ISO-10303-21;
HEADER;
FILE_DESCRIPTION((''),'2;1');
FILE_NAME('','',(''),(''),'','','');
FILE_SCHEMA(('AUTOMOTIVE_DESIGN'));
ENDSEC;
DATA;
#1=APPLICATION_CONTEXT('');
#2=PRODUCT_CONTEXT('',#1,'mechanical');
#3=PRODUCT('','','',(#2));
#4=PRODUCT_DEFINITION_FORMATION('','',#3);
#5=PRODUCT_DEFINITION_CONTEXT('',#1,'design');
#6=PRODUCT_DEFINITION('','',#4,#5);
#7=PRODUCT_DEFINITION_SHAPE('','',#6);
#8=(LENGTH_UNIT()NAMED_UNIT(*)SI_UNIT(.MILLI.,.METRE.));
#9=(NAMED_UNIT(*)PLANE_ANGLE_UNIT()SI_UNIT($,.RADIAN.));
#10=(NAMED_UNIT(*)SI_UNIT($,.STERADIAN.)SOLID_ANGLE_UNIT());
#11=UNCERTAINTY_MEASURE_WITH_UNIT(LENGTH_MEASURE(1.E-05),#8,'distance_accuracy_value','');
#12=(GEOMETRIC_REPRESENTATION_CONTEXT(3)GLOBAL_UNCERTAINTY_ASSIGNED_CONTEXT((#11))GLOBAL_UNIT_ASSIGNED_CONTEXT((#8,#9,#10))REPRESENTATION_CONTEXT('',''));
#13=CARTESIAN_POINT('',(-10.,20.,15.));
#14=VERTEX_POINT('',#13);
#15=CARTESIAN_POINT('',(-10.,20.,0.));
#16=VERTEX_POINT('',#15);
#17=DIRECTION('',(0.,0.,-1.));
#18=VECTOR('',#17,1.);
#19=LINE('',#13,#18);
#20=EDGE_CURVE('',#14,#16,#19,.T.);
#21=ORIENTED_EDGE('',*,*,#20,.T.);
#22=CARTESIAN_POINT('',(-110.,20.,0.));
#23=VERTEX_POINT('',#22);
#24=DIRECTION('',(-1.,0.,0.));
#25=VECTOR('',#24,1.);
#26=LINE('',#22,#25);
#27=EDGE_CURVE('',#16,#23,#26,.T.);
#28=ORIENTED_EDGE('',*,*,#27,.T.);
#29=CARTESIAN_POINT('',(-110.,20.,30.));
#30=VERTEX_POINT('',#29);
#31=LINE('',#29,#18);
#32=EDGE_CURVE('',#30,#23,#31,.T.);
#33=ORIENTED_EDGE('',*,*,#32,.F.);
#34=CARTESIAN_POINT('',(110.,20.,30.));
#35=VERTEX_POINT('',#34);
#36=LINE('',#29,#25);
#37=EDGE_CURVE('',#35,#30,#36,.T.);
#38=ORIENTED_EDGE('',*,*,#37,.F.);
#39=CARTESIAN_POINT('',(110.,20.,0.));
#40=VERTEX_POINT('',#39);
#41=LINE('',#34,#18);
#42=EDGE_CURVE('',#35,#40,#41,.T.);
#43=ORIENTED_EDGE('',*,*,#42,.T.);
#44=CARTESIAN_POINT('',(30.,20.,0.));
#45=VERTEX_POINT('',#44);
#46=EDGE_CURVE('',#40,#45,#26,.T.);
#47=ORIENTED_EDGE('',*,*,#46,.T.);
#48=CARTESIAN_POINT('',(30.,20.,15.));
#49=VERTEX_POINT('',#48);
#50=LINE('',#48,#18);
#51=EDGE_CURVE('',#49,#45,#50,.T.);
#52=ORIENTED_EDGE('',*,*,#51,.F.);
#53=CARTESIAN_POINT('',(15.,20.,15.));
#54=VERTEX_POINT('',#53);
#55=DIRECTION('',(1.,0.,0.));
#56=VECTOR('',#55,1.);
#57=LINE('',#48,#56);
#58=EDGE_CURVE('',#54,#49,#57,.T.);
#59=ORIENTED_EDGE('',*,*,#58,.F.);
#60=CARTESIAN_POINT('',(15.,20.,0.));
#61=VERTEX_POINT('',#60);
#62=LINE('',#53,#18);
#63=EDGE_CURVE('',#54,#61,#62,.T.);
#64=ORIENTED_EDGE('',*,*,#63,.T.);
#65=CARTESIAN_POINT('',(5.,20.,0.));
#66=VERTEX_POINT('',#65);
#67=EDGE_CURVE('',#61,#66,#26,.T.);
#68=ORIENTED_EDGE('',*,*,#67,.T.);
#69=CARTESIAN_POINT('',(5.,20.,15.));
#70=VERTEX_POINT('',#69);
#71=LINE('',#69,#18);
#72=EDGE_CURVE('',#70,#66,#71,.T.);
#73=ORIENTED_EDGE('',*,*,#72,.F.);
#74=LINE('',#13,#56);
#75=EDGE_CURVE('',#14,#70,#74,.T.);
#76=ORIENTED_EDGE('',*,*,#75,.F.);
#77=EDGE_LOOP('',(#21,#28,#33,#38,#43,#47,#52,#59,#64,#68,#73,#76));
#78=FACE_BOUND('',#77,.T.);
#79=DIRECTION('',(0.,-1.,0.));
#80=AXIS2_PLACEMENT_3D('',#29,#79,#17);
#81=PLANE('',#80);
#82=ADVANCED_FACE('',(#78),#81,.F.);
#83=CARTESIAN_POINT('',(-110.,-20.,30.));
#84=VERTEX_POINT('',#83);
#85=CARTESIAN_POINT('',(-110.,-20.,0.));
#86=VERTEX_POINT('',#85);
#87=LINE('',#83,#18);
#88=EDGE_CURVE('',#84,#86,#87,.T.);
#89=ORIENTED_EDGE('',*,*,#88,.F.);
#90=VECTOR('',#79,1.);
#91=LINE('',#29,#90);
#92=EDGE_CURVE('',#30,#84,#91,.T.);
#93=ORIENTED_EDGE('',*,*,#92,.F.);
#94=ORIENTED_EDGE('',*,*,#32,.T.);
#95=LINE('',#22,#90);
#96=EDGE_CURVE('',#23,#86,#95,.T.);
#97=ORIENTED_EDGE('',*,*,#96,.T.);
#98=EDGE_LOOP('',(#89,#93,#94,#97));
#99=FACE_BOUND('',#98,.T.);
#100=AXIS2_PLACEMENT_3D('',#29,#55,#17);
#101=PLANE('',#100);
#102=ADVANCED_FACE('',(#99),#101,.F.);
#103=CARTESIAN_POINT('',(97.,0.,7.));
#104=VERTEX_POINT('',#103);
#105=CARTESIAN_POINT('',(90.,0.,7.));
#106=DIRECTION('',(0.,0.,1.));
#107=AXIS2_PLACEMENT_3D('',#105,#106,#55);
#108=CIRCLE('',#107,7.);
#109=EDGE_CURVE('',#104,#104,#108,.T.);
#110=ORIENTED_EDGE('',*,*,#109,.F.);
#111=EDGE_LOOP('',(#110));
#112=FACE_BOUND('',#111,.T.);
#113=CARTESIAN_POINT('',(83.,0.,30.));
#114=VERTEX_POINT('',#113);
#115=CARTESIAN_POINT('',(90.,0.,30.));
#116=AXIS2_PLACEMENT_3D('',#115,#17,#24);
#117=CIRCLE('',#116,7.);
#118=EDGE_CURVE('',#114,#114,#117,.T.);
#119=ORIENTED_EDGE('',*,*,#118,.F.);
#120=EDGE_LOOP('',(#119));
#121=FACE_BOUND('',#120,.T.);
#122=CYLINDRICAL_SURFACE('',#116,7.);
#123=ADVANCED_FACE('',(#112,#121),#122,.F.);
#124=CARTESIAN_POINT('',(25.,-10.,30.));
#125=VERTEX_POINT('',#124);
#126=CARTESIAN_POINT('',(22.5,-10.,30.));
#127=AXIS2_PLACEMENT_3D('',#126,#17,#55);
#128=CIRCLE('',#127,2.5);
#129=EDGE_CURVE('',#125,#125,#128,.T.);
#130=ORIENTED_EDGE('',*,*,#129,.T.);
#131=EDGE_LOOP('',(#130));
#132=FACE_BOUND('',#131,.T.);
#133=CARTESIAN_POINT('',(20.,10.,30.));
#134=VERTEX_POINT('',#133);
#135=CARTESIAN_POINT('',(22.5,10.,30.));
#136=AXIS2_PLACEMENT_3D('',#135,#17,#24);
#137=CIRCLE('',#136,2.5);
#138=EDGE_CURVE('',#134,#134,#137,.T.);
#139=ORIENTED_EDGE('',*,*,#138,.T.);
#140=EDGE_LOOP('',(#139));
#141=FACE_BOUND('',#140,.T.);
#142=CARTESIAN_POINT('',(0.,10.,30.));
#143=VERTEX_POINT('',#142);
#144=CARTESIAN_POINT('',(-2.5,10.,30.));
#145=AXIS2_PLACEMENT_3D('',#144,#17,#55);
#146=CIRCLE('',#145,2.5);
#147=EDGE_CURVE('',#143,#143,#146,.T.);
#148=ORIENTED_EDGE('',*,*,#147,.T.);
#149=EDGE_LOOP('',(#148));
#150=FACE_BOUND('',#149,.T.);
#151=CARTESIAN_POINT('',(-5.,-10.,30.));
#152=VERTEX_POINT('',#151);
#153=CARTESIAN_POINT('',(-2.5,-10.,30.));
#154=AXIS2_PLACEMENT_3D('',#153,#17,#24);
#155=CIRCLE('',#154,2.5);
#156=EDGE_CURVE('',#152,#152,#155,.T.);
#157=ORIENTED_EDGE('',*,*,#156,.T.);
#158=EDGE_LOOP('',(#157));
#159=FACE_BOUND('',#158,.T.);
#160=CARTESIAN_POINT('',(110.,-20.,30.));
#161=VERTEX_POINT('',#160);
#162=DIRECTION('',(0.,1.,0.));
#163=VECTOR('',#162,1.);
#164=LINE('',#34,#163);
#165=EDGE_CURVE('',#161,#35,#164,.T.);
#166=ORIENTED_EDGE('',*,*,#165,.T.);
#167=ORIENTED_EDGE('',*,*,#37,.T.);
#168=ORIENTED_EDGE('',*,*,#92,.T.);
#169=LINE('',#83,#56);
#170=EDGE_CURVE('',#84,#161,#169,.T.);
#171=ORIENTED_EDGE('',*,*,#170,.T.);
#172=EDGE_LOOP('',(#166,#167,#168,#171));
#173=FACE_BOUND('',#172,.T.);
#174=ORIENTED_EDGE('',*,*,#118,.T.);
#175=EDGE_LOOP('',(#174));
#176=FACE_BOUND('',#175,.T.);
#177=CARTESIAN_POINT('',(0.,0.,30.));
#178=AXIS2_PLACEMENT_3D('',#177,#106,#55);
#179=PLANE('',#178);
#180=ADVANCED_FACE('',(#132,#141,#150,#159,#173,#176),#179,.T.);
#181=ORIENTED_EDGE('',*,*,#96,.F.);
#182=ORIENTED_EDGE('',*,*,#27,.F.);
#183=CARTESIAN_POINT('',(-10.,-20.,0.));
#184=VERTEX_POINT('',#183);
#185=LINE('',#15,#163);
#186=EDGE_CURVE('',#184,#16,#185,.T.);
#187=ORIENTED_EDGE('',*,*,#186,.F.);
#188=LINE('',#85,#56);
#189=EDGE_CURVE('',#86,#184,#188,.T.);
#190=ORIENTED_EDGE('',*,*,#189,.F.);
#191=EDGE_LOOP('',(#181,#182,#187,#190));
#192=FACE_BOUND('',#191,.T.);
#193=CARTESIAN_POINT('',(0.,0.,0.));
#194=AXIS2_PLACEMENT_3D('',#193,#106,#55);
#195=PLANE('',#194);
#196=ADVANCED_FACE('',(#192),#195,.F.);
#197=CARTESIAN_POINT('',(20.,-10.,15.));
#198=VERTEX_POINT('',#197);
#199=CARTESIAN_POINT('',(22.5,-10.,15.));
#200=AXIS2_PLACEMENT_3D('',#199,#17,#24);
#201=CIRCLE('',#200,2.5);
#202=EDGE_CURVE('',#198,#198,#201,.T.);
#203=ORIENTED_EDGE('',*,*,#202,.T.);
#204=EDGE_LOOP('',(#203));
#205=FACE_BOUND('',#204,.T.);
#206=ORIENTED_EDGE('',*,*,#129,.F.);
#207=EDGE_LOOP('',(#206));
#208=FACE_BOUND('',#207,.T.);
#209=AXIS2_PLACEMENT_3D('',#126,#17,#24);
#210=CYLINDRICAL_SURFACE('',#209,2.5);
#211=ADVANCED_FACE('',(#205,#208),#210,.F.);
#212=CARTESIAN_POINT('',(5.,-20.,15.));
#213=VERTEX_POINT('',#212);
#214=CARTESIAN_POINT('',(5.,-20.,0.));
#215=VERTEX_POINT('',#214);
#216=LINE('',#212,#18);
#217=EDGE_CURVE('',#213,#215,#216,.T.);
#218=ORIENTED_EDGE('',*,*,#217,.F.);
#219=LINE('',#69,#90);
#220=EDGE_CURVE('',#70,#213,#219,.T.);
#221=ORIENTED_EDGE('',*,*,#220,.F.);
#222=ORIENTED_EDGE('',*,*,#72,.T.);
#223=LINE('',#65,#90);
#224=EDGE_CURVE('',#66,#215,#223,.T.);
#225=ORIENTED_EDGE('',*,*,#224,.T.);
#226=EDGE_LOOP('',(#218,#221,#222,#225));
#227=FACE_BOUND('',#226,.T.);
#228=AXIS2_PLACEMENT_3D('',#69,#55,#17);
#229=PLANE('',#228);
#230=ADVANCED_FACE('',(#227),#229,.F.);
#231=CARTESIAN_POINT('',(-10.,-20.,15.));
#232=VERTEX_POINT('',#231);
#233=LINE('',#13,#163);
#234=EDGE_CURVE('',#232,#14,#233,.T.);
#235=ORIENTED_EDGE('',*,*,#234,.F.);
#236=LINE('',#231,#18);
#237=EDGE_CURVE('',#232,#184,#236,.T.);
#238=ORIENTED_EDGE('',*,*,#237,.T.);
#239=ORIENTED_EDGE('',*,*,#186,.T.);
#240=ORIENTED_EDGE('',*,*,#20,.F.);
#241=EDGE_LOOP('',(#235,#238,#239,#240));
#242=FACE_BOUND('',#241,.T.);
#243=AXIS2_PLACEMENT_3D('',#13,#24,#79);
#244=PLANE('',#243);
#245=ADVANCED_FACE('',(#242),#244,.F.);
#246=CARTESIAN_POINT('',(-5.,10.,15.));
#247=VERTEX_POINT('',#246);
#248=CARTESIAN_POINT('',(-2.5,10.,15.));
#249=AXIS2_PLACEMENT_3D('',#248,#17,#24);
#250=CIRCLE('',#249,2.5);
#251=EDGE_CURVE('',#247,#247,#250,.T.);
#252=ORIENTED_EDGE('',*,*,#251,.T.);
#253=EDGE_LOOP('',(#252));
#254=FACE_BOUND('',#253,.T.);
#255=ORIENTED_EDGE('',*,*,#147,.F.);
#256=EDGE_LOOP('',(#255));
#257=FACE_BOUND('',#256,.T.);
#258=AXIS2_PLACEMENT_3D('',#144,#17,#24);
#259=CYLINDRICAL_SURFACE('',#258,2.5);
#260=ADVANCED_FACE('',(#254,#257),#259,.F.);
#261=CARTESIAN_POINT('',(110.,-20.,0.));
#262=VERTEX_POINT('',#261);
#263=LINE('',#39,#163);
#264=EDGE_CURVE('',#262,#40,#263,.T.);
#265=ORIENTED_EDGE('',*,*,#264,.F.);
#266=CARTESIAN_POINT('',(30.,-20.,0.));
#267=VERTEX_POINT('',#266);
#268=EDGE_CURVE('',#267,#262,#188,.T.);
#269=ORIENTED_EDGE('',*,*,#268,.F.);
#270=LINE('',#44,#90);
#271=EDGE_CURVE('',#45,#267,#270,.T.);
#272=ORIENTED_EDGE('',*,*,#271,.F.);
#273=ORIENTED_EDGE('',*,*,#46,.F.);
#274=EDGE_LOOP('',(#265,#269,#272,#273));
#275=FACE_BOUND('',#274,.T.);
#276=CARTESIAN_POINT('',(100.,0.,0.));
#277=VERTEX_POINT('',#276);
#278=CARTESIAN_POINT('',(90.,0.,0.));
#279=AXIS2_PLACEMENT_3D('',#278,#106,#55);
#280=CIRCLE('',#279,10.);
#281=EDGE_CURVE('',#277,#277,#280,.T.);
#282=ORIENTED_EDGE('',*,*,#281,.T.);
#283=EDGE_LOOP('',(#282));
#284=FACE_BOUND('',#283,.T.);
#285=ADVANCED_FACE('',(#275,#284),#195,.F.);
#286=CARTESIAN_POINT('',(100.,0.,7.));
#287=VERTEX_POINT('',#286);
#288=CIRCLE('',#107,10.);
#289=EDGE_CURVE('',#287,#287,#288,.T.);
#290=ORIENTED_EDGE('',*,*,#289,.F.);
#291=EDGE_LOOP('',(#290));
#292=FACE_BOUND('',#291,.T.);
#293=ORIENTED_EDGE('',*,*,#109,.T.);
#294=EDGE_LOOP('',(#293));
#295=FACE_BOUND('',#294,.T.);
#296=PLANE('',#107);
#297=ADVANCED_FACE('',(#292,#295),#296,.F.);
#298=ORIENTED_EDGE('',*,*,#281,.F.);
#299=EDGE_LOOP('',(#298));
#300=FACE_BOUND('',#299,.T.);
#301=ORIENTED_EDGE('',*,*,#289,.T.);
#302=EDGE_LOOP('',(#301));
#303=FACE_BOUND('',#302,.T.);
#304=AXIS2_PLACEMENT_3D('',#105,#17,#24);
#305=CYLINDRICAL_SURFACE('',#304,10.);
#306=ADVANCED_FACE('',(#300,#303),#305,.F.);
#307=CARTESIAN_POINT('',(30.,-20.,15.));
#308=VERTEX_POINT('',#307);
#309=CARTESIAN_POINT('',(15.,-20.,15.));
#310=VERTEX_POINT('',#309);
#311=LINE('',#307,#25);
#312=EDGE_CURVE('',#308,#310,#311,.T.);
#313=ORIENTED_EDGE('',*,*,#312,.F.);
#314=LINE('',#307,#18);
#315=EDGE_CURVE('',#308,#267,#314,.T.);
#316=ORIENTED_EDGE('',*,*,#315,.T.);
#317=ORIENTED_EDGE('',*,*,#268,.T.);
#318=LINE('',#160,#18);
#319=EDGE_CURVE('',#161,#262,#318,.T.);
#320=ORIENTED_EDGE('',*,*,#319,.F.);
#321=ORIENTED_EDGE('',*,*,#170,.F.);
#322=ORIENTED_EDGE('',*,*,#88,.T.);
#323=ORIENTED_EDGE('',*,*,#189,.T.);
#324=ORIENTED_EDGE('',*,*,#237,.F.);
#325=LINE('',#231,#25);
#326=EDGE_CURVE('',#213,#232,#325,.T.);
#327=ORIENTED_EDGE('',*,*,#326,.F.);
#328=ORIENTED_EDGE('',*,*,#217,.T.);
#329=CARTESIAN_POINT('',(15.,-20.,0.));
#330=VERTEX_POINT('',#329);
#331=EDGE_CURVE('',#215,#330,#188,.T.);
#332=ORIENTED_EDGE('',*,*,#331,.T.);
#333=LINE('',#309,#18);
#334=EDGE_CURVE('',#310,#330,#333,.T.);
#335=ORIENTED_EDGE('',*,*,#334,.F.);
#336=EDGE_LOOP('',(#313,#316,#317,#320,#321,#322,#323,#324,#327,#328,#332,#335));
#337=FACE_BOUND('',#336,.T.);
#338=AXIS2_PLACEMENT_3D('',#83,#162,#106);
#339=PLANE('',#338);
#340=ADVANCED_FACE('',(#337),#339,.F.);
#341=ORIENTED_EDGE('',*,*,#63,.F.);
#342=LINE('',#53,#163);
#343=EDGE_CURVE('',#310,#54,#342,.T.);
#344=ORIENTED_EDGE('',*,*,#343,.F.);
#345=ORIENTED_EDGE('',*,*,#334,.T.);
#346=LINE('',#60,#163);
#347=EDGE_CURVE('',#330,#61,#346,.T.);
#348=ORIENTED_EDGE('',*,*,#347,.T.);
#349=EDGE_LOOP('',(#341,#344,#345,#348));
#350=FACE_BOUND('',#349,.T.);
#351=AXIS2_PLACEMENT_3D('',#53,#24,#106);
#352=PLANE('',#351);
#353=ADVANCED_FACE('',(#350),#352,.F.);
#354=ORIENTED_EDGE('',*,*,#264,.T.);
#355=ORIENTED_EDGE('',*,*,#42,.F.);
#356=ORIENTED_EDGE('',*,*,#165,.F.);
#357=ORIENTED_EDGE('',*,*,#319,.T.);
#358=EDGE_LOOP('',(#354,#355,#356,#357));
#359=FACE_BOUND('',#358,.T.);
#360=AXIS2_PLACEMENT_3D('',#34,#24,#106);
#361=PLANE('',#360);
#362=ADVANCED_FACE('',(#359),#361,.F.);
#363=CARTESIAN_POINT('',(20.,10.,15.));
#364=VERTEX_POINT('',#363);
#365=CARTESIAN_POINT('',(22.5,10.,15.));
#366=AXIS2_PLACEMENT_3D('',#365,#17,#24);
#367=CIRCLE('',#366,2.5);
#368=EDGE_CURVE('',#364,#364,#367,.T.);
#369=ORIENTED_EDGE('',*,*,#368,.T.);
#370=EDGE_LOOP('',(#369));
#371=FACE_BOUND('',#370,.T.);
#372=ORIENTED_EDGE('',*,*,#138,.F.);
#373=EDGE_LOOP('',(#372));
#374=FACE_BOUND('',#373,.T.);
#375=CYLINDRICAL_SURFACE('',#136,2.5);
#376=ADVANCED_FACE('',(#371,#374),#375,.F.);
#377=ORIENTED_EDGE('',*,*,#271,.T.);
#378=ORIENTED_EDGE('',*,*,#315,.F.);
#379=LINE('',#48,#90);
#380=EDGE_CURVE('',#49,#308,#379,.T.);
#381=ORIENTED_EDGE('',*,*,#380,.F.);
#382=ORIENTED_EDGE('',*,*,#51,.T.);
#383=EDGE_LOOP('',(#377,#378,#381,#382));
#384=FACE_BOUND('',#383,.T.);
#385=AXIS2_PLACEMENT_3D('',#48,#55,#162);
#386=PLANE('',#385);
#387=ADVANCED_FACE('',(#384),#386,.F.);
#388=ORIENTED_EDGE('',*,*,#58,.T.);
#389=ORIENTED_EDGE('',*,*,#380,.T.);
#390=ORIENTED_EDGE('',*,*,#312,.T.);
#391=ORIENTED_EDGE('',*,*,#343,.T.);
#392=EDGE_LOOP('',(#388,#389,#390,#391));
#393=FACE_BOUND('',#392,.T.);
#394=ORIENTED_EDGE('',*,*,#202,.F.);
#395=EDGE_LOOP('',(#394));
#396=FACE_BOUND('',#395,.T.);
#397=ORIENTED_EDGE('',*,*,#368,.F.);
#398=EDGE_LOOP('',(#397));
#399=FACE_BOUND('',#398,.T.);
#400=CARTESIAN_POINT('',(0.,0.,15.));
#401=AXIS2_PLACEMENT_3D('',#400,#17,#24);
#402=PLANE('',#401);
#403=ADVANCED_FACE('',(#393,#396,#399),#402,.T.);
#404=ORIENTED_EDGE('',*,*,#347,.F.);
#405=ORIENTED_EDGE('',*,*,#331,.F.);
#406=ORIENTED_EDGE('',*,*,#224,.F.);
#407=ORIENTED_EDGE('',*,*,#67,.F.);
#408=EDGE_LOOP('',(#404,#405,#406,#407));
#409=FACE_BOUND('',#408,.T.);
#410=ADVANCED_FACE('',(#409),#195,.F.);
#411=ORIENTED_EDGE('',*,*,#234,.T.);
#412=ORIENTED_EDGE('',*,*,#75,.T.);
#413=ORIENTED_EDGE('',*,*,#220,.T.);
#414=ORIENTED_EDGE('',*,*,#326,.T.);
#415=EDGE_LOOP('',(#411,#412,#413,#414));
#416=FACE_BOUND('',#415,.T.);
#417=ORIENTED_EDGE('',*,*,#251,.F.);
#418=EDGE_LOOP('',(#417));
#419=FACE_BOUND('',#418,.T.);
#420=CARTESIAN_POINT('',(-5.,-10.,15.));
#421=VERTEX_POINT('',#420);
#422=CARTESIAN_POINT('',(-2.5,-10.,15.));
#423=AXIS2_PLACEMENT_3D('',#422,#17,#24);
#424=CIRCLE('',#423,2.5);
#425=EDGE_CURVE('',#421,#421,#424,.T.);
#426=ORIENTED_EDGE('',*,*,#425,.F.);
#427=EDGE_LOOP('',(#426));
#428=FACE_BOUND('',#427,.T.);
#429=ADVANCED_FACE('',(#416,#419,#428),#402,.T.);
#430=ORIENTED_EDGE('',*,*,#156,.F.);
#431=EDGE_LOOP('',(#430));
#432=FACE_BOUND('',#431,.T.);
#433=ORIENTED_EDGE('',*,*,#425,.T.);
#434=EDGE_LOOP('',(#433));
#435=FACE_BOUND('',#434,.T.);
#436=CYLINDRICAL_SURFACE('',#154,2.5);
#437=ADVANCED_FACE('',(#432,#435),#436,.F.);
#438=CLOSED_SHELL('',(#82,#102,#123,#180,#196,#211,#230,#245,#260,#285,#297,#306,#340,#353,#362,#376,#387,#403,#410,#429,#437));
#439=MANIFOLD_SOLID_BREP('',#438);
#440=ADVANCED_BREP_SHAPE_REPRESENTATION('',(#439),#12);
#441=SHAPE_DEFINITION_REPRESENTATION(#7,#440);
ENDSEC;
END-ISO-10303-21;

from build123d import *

# Parameters (mm, degrees)
SKETCH1_W           = 220
SKETCH1_H           = 40
BOSS_EXTRUDE1_DEPTH = 30
SKETCH2_R           = 10
CUT_EXTRUDE1_DEPTH  = 7
CUT_EXTRUDE2_START  = -30
SKETCH3_R           = 7
CUT_EXTRUDE2_DEPTH  = 23
SKETCH4_W           = 15
SKETCH4_H           = 40
CUT_EXTRUDE3_DEPTH  = 15
CUT_EXTRUDE4_START  = -30
SKETCH5_R           = 2.5
CUT_EXTRUDE4_DEPTH  = 15


with BuildPart() as part:
    # Sketch1 → Boss-Extrude1 (new body)
    with BuildSketch(Plane.XY):
        Rectangle(SKETCH1_W, SKETCH1_H)
    extrude(amount=BOSS_EXTRUDE1_DEPTH)

    # Sketch2 → Cut-Extrude1 (cut)
    with BuildSketch(Plane.XY):
        with Locations((90, 0)):
            Circle(SKETCH2_R)
    extrude(amount=CUT_EXTRUDE1_DEPTH, mode=Mode.SUBTRACT)

    # Sketch3 → Cut-Extrude2 (cut)
    with BuildSketch(Plane(origin=(0, 0, 0), x_dir=(-1, 0, 0), z_dir=(0, 0, -1)).offset(CUT_EXTRUDE2_START)):
        with Locations((-90, 0)):
            Circle(SKETCH3_R)
    extrude(amount=CUT_EXTRUDE2_DEPTH, mode=Mode.SUBTRACT)

    # Sketch4 → Cut-Extrude3 (cut)
    with BuildSketch(Plane(origin=(0, 0, 0), x_dir=(-1, 0, 0), z_dir=(0, 0, -1))):
        with Locations((-22.5, 0)):
            Rectangle(SKETCH4_W, SKETCH4_H)
        with Locations((2.5, 0)):
            Rectangle(SKETCH4_W, SKETCH4_H)
    extrude(amount=-CUT_EXTRUDE3_DEPTH, mode=Mode.SUBTRACT)

    # Sketch5 → Cut-Extrude4 (cut)
    with BuildSketch(Plane(origin=(0, 0, 0), x_dir=(-1, 0, 0), z_dir=(0, 0, -1)).offset(CUT_EXTRUDE4_START)):
        with Locations((-22.5, 10)):
            Circle(SKETCH5_R)
        with Locations((-22.5, -10)):
            Circle(SKETCH5_R)
        with Locations((2.5, -10)):
            Circle(SKETCH5_R)
        with Locations((2.5, 10)):
            Circle(SKETCH5_R)
    extrude(amount=CUT_EXTRUDE4_DEPTH, mode=Mode.SUBTRACT)


solid = part.part
